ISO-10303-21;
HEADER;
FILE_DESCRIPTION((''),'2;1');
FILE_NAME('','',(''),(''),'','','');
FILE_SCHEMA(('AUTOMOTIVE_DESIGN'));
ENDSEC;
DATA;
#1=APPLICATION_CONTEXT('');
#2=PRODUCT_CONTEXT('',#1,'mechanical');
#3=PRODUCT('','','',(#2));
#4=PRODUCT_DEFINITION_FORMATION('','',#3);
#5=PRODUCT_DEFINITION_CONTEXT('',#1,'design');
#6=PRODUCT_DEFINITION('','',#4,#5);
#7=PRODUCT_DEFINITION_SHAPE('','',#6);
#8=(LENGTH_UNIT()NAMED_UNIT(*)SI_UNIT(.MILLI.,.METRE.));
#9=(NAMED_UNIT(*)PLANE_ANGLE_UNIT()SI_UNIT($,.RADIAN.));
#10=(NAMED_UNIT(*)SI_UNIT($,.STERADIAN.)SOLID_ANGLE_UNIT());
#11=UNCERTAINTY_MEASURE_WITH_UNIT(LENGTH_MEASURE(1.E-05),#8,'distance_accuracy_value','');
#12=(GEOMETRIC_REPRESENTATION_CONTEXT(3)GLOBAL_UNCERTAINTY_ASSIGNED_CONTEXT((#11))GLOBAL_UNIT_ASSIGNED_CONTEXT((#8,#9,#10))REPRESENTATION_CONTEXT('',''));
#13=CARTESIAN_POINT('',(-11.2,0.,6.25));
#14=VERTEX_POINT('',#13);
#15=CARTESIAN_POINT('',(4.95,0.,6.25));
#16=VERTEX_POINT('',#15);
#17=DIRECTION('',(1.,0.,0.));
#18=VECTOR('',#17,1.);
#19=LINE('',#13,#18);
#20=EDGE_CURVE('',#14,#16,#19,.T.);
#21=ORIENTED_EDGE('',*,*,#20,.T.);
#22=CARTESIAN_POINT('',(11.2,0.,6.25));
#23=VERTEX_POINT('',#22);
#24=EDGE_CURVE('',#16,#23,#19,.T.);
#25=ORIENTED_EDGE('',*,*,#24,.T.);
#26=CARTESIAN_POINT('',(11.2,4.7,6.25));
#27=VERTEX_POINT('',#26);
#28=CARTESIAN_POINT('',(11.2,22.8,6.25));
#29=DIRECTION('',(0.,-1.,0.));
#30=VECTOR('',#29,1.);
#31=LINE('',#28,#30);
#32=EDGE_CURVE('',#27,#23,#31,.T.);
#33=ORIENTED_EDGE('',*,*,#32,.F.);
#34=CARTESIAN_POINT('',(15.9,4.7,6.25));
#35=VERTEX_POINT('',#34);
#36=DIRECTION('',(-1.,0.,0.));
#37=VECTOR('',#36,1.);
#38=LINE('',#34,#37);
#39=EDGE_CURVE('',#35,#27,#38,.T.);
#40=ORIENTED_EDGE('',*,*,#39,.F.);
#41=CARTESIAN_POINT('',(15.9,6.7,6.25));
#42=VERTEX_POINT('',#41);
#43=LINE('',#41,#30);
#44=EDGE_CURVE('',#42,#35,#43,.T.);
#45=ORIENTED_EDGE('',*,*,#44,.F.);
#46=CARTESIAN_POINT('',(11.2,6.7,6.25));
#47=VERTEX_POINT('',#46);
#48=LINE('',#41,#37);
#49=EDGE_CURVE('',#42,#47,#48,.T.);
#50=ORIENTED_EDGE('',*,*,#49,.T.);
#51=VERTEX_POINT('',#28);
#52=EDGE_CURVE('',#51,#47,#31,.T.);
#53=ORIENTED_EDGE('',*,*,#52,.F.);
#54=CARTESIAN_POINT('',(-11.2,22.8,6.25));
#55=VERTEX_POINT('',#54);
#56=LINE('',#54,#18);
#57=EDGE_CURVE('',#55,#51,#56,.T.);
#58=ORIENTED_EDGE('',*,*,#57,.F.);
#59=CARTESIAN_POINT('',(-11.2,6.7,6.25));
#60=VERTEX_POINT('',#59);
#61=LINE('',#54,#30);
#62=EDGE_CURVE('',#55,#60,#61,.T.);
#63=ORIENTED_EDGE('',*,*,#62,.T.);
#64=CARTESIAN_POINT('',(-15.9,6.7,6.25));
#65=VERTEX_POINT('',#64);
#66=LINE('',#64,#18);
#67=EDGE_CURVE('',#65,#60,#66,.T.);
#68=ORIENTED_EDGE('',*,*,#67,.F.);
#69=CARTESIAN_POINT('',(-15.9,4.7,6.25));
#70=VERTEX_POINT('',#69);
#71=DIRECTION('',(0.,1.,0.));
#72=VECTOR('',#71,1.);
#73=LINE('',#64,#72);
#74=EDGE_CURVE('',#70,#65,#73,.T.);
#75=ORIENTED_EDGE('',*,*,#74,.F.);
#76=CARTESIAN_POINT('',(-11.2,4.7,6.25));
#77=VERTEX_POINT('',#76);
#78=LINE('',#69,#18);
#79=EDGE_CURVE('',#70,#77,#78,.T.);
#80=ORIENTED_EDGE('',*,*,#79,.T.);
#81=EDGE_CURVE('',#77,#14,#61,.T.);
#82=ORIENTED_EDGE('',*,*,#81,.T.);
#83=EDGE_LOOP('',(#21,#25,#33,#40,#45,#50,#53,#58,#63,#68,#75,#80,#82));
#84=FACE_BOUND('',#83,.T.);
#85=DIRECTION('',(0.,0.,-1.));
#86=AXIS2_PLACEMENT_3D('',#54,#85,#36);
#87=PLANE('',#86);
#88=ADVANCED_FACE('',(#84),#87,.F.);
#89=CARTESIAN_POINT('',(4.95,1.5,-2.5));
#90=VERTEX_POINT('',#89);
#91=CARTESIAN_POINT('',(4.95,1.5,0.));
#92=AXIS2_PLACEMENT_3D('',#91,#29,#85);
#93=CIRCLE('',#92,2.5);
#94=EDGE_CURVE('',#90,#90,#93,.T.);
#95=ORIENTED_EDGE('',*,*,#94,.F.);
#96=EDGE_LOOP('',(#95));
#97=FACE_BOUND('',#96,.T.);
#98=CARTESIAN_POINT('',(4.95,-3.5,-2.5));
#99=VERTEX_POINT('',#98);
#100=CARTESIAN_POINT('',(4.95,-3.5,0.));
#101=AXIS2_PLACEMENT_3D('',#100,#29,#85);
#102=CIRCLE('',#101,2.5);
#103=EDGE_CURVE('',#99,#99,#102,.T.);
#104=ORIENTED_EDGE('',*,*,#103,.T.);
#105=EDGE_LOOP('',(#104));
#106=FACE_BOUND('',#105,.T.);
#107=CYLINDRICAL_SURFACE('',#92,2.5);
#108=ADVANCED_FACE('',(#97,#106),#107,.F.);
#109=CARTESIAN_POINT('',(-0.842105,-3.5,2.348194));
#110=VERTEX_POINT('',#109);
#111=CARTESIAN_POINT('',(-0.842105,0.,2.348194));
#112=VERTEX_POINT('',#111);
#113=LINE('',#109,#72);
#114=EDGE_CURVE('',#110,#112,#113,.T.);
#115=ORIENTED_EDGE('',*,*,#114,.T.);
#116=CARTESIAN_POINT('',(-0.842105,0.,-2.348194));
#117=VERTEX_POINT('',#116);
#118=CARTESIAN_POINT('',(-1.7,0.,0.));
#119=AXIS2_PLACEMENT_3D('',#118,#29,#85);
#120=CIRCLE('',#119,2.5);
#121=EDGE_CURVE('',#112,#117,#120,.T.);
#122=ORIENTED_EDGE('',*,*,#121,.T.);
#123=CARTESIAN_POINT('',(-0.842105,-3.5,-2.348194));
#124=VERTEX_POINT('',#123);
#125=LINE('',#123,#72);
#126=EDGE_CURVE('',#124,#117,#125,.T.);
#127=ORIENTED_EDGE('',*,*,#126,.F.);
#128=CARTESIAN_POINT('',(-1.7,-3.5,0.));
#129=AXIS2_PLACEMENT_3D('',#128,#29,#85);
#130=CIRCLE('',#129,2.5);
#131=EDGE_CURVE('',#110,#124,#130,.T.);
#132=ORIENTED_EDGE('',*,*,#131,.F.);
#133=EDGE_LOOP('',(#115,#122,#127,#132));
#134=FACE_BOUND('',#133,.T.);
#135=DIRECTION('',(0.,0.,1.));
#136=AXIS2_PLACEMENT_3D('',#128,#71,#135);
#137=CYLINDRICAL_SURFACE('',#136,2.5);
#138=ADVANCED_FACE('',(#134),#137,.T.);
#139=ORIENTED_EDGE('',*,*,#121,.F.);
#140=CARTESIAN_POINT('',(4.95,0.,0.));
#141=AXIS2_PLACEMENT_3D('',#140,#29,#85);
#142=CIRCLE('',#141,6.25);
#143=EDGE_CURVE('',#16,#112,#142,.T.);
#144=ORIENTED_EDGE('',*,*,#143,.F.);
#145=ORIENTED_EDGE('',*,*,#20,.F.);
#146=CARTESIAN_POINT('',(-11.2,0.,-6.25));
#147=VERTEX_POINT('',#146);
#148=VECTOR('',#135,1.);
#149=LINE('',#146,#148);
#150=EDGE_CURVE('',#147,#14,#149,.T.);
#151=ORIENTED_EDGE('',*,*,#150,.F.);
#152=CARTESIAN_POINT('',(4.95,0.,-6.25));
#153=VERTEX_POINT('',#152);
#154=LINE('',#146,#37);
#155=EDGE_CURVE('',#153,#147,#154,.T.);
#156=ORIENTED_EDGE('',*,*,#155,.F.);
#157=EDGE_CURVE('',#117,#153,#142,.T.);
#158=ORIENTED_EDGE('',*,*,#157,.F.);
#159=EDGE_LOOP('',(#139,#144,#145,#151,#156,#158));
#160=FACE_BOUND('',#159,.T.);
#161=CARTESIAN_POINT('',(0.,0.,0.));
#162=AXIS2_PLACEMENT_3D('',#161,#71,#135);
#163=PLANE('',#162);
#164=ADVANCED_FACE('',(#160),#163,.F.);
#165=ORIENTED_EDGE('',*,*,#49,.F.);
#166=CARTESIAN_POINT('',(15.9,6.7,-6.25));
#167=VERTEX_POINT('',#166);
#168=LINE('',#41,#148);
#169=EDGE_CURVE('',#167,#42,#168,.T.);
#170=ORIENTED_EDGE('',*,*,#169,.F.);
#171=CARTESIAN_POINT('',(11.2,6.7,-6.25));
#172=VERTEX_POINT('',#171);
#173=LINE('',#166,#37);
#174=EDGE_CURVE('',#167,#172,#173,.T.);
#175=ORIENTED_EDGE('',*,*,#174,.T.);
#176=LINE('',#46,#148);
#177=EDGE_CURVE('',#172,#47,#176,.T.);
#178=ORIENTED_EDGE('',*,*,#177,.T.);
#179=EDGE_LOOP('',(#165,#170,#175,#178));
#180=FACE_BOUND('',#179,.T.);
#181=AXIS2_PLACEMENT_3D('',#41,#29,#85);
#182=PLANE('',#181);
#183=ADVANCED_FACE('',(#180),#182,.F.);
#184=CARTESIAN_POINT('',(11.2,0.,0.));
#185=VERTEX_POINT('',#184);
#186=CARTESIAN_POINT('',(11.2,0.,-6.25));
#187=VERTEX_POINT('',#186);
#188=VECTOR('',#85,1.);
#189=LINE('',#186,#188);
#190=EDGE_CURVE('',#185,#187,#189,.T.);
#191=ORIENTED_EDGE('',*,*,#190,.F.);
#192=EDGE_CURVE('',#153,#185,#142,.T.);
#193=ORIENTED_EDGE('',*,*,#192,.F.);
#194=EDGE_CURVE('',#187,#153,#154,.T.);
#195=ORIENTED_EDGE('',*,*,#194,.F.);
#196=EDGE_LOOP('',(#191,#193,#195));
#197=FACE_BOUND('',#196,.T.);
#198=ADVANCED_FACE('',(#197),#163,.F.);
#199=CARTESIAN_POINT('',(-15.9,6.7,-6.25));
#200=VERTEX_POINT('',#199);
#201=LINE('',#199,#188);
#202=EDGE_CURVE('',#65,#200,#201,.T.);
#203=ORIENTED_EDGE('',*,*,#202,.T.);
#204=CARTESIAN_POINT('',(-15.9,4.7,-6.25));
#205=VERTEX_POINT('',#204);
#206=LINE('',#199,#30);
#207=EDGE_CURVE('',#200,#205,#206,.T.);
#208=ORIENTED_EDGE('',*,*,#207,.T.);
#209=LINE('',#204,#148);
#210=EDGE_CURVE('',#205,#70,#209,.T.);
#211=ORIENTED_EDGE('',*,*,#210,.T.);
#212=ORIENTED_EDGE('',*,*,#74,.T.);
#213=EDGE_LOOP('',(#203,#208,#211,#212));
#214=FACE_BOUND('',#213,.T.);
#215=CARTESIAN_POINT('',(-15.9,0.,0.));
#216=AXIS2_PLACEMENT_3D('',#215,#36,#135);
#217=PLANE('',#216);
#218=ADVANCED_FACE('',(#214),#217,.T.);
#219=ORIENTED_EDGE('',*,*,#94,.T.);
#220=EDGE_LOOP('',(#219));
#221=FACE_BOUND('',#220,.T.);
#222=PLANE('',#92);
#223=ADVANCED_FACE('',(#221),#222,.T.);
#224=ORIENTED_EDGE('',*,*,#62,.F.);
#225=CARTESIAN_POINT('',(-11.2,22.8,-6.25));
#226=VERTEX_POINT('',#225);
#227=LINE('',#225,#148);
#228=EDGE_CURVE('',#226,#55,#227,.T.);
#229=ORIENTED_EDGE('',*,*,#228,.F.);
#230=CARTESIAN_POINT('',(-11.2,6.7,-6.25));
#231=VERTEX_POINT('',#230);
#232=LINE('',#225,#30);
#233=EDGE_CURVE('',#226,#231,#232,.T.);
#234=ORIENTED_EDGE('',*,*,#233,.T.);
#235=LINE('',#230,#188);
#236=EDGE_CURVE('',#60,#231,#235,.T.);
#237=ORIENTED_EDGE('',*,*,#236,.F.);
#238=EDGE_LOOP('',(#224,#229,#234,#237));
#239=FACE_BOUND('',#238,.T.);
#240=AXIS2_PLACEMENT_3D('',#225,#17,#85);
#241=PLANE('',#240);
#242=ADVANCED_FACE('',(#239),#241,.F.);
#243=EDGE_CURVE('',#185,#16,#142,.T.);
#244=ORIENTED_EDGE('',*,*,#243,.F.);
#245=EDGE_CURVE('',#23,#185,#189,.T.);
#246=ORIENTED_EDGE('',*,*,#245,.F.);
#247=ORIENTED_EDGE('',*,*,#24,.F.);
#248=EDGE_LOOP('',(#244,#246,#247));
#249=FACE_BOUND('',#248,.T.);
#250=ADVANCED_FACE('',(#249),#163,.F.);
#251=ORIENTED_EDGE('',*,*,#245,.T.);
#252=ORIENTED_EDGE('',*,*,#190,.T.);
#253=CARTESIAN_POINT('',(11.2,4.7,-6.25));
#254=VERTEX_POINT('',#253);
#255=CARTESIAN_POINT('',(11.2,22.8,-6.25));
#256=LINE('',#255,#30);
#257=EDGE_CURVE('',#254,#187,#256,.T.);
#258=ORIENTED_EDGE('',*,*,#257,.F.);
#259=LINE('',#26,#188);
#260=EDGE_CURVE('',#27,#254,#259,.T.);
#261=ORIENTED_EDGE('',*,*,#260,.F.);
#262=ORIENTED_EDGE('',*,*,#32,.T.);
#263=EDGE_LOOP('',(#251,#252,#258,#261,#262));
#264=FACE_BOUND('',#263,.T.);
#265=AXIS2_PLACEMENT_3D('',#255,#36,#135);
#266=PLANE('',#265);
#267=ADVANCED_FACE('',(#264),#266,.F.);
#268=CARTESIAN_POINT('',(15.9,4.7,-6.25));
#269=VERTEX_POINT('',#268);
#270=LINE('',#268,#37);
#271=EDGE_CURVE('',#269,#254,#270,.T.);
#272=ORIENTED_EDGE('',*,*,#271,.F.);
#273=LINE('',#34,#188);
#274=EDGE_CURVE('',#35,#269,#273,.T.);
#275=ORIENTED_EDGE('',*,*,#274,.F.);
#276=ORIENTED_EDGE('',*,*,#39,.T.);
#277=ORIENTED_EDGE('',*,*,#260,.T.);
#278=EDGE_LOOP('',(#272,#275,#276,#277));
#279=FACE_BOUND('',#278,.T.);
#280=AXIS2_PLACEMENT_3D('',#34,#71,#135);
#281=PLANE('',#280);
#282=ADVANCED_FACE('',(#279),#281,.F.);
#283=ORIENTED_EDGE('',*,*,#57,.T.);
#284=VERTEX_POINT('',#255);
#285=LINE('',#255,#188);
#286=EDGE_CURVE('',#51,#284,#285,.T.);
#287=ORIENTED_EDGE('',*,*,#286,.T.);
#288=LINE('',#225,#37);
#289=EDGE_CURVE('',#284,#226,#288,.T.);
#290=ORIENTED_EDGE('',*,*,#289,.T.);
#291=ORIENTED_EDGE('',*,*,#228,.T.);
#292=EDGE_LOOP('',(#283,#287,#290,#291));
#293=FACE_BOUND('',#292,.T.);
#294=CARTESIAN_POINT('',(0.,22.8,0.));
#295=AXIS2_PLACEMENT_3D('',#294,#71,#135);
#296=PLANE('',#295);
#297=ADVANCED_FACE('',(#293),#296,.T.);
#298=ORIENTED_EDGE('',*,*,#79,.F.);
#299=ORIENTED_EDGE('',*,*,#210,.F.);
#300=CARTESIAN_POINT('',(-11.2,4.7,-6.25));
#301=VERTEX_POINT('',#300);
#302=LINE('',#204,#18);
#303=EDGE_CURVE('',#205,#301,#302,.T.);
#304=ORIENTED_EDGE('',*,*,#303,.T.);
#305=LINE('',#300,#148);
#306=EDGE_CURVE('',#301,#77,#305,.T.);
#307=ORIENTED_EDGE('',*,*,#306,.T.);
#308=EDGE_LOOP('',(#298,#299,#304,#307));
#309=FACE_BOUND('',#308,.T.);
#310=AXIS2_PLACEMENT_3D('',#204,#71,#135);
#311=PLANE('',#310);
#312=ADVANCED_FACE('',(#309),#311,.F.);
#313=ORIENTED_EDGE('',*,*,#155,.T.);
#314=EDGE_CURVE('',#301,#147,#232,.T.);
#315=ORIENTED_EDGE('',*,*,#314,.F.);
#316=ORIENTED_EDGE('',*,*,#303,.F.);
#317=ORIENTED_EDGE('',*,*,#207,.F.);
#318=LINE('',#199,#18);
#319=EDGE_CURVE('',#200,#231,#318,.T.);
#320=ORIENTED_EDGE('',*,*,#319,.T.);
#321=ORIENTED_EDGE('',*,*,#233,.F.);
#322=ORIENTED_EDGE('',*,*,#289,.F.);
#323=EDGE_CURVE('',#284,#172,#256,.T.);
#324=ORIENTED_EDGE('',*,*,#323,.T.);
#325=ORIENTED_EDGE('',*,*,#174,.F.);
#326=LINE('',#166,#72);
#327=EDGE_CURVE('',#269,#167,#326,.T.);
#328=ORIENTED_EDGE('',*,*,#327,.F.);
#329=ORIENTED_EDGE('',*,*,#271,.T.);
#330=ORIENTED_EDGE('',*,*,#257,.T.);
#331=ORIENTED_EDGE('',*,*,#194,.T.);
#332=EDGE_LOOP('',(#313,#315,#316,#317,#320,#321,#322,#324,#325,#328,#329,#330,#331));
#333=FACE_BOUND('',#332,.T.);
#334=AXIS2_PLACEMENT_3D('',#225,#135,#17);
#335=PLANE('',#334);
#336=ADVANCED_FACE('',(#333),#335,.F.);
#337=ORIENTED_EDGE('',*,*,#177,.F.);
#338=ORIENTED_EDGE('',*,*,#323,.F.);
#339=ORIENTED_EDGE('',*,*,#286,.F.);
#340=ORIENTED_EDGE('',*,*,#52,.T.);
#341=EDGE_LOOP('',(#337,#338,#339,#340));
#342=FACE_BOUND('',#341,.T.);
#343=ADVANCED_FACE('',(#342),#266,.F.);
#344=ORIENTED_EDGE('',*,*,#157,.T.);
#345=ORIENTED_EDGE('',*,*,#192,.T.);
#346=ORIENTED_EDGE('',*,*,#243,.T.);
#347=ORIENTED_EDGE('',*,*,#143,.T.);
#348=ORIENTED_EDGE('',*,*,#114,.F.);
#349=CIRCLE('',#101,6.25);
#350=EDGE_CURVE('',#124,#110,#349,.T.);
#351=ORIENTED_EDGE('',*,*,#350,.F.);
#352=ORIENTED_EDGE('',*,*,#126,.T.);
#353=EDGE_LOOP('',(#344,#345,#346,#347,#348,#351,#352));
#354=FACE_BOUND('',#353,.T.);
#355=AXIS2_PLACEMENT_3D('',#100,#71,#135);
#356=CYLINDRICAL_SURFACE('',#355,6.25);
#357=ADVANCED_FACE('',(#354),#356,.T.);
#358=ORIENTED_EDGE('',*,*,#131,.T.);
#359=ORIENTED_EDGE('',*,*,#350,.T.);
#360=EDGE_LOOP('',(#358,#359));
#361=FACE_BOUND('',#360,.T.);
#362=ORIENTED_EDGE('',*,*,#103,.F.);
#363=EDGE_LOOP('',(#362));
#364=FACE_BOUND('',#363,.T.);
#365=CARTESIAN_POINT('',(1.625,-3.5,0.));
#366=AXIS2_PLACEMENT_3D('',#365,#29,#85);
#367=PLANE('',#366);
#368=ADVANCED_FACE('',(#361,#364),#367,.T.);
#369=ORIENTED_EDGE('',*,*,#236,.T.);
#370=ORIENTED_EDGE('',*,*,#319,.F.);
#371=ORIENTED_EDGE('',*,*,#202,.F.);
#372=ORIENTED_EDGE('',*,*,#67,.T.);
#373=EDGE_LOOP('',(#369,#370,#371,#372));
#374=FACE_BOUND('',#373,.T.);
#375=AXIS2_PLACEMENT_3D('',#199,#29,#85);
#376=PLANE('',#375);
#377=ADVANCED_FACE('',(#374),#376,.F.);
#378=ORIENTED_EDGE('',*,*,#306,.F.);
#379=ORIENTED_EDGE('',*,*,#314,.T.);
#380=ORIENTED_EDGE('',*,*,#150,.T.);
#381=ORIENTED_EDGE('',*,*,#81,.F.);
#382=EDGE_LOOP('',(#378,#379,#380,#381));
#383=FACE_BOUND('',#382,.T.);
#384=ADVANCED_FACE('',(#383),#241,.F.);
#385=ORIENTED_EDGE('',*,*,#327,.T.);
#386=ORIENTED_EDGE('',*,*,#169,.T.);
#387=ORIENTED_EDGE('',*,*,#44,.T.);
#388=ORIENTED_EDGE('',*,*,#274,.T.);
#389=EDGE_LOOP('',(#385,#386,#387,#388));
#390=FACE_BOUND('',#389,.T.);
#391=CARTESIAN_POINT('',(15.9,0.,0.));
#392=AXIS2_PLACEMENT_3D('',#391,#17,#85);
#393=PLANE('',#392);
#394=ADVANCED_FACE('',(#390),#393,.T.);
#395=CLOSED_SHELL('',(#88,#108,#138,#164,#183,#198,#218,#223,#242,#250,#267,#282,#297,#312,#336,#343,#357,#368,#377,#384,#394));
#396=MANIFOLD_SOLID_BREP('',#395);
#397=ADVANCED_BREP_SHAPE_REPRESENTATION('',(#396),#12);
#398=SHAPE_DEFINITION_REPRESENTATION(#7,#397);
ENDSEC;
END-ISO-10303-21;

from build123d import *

# Parameters (mm, degrees)
SKETCH1_W           = 22.4
SKETCH1_H           = 12.5
BOSS_EXTRUDE1_DEPTH = 22.8
SKETCH2_W           = 12.5
SKETCH2_H           = 2
BOSS_EXTRUDE2_DEPTH = 4.7
SKETCH3_W           = 12.5
SKETCH3_H           = 2
BOSS_EXTRUDE3_DEPTH = 4.7
BOSS_EXTRUDE5_DEPTH = 3.5
SKETCH5_R           = 2.5
CUT_EXTRUDE1_DEPTH  = 5


with BuildPart() as part:
    # Sketch1 → Boss-Extrude1 (new body)
    with BuildSketch(Plane(origin=(0, 0, 0), x_dir=(1, 0, 0), z_dir=(0, 1, 0))):
        Rectangle(SKETCH1_W, SKETCH1_H)
    extrude(amount=BOSS_EXTRUDE1_DEPTH)

    # Sketch2 → Boss-Extrude2 (add)
    with BuildSketch(Plane(origin=(11.2, 0, 0), x_dir=(0, 0, -1), z_dir=(1, 0, 0))):
        with Locations((0, 5.7)):
            Rectangle(SKETCH2_W, SKETCH2_H)
    extrude(amount=BOSS_EXTRUDE2_DEPTH)

    # Sketch3 → Boss-Extrude3 (add)
    with BuildSketch(Plane.ZY.offset(11.2)):
        with Locations((0, 5.7)):
            Rectangle(SKETCH3_W, SKETCH3_H)
    extrude(amount=BOSS_EXTRUDE3_DEPTH)

    # Sketch4 → Boss-Extrude5 (add)
    with BuildSketch(Plane.XZ):
        with BuildLine():
            ThreePointArc((-0.842105263, -2.348194332), (11.2, 0), (-0.842105263, 2.348194332))
            ThreePointArc((-0.842105263, 2.348194332), (-4.2, 0), (-0.842105263, -2.348194332))
        make_face()
    extrude(amount=BOSS_EXTRUDE5_DEPTH)

    # Sketch5 → Cut-Extrude1 (cut)
    with BuildSketch(Plane.XZ.offset(3.5)):
        with Locations(Location((4.95, 0, 0), (0, 0, 270))):
            Circle(SKETCH5_R)
    extrude(amount=-CUT_EXTRUDE1_DEPTH, mode=Mode.SUBTRACT)


solid = part.part
